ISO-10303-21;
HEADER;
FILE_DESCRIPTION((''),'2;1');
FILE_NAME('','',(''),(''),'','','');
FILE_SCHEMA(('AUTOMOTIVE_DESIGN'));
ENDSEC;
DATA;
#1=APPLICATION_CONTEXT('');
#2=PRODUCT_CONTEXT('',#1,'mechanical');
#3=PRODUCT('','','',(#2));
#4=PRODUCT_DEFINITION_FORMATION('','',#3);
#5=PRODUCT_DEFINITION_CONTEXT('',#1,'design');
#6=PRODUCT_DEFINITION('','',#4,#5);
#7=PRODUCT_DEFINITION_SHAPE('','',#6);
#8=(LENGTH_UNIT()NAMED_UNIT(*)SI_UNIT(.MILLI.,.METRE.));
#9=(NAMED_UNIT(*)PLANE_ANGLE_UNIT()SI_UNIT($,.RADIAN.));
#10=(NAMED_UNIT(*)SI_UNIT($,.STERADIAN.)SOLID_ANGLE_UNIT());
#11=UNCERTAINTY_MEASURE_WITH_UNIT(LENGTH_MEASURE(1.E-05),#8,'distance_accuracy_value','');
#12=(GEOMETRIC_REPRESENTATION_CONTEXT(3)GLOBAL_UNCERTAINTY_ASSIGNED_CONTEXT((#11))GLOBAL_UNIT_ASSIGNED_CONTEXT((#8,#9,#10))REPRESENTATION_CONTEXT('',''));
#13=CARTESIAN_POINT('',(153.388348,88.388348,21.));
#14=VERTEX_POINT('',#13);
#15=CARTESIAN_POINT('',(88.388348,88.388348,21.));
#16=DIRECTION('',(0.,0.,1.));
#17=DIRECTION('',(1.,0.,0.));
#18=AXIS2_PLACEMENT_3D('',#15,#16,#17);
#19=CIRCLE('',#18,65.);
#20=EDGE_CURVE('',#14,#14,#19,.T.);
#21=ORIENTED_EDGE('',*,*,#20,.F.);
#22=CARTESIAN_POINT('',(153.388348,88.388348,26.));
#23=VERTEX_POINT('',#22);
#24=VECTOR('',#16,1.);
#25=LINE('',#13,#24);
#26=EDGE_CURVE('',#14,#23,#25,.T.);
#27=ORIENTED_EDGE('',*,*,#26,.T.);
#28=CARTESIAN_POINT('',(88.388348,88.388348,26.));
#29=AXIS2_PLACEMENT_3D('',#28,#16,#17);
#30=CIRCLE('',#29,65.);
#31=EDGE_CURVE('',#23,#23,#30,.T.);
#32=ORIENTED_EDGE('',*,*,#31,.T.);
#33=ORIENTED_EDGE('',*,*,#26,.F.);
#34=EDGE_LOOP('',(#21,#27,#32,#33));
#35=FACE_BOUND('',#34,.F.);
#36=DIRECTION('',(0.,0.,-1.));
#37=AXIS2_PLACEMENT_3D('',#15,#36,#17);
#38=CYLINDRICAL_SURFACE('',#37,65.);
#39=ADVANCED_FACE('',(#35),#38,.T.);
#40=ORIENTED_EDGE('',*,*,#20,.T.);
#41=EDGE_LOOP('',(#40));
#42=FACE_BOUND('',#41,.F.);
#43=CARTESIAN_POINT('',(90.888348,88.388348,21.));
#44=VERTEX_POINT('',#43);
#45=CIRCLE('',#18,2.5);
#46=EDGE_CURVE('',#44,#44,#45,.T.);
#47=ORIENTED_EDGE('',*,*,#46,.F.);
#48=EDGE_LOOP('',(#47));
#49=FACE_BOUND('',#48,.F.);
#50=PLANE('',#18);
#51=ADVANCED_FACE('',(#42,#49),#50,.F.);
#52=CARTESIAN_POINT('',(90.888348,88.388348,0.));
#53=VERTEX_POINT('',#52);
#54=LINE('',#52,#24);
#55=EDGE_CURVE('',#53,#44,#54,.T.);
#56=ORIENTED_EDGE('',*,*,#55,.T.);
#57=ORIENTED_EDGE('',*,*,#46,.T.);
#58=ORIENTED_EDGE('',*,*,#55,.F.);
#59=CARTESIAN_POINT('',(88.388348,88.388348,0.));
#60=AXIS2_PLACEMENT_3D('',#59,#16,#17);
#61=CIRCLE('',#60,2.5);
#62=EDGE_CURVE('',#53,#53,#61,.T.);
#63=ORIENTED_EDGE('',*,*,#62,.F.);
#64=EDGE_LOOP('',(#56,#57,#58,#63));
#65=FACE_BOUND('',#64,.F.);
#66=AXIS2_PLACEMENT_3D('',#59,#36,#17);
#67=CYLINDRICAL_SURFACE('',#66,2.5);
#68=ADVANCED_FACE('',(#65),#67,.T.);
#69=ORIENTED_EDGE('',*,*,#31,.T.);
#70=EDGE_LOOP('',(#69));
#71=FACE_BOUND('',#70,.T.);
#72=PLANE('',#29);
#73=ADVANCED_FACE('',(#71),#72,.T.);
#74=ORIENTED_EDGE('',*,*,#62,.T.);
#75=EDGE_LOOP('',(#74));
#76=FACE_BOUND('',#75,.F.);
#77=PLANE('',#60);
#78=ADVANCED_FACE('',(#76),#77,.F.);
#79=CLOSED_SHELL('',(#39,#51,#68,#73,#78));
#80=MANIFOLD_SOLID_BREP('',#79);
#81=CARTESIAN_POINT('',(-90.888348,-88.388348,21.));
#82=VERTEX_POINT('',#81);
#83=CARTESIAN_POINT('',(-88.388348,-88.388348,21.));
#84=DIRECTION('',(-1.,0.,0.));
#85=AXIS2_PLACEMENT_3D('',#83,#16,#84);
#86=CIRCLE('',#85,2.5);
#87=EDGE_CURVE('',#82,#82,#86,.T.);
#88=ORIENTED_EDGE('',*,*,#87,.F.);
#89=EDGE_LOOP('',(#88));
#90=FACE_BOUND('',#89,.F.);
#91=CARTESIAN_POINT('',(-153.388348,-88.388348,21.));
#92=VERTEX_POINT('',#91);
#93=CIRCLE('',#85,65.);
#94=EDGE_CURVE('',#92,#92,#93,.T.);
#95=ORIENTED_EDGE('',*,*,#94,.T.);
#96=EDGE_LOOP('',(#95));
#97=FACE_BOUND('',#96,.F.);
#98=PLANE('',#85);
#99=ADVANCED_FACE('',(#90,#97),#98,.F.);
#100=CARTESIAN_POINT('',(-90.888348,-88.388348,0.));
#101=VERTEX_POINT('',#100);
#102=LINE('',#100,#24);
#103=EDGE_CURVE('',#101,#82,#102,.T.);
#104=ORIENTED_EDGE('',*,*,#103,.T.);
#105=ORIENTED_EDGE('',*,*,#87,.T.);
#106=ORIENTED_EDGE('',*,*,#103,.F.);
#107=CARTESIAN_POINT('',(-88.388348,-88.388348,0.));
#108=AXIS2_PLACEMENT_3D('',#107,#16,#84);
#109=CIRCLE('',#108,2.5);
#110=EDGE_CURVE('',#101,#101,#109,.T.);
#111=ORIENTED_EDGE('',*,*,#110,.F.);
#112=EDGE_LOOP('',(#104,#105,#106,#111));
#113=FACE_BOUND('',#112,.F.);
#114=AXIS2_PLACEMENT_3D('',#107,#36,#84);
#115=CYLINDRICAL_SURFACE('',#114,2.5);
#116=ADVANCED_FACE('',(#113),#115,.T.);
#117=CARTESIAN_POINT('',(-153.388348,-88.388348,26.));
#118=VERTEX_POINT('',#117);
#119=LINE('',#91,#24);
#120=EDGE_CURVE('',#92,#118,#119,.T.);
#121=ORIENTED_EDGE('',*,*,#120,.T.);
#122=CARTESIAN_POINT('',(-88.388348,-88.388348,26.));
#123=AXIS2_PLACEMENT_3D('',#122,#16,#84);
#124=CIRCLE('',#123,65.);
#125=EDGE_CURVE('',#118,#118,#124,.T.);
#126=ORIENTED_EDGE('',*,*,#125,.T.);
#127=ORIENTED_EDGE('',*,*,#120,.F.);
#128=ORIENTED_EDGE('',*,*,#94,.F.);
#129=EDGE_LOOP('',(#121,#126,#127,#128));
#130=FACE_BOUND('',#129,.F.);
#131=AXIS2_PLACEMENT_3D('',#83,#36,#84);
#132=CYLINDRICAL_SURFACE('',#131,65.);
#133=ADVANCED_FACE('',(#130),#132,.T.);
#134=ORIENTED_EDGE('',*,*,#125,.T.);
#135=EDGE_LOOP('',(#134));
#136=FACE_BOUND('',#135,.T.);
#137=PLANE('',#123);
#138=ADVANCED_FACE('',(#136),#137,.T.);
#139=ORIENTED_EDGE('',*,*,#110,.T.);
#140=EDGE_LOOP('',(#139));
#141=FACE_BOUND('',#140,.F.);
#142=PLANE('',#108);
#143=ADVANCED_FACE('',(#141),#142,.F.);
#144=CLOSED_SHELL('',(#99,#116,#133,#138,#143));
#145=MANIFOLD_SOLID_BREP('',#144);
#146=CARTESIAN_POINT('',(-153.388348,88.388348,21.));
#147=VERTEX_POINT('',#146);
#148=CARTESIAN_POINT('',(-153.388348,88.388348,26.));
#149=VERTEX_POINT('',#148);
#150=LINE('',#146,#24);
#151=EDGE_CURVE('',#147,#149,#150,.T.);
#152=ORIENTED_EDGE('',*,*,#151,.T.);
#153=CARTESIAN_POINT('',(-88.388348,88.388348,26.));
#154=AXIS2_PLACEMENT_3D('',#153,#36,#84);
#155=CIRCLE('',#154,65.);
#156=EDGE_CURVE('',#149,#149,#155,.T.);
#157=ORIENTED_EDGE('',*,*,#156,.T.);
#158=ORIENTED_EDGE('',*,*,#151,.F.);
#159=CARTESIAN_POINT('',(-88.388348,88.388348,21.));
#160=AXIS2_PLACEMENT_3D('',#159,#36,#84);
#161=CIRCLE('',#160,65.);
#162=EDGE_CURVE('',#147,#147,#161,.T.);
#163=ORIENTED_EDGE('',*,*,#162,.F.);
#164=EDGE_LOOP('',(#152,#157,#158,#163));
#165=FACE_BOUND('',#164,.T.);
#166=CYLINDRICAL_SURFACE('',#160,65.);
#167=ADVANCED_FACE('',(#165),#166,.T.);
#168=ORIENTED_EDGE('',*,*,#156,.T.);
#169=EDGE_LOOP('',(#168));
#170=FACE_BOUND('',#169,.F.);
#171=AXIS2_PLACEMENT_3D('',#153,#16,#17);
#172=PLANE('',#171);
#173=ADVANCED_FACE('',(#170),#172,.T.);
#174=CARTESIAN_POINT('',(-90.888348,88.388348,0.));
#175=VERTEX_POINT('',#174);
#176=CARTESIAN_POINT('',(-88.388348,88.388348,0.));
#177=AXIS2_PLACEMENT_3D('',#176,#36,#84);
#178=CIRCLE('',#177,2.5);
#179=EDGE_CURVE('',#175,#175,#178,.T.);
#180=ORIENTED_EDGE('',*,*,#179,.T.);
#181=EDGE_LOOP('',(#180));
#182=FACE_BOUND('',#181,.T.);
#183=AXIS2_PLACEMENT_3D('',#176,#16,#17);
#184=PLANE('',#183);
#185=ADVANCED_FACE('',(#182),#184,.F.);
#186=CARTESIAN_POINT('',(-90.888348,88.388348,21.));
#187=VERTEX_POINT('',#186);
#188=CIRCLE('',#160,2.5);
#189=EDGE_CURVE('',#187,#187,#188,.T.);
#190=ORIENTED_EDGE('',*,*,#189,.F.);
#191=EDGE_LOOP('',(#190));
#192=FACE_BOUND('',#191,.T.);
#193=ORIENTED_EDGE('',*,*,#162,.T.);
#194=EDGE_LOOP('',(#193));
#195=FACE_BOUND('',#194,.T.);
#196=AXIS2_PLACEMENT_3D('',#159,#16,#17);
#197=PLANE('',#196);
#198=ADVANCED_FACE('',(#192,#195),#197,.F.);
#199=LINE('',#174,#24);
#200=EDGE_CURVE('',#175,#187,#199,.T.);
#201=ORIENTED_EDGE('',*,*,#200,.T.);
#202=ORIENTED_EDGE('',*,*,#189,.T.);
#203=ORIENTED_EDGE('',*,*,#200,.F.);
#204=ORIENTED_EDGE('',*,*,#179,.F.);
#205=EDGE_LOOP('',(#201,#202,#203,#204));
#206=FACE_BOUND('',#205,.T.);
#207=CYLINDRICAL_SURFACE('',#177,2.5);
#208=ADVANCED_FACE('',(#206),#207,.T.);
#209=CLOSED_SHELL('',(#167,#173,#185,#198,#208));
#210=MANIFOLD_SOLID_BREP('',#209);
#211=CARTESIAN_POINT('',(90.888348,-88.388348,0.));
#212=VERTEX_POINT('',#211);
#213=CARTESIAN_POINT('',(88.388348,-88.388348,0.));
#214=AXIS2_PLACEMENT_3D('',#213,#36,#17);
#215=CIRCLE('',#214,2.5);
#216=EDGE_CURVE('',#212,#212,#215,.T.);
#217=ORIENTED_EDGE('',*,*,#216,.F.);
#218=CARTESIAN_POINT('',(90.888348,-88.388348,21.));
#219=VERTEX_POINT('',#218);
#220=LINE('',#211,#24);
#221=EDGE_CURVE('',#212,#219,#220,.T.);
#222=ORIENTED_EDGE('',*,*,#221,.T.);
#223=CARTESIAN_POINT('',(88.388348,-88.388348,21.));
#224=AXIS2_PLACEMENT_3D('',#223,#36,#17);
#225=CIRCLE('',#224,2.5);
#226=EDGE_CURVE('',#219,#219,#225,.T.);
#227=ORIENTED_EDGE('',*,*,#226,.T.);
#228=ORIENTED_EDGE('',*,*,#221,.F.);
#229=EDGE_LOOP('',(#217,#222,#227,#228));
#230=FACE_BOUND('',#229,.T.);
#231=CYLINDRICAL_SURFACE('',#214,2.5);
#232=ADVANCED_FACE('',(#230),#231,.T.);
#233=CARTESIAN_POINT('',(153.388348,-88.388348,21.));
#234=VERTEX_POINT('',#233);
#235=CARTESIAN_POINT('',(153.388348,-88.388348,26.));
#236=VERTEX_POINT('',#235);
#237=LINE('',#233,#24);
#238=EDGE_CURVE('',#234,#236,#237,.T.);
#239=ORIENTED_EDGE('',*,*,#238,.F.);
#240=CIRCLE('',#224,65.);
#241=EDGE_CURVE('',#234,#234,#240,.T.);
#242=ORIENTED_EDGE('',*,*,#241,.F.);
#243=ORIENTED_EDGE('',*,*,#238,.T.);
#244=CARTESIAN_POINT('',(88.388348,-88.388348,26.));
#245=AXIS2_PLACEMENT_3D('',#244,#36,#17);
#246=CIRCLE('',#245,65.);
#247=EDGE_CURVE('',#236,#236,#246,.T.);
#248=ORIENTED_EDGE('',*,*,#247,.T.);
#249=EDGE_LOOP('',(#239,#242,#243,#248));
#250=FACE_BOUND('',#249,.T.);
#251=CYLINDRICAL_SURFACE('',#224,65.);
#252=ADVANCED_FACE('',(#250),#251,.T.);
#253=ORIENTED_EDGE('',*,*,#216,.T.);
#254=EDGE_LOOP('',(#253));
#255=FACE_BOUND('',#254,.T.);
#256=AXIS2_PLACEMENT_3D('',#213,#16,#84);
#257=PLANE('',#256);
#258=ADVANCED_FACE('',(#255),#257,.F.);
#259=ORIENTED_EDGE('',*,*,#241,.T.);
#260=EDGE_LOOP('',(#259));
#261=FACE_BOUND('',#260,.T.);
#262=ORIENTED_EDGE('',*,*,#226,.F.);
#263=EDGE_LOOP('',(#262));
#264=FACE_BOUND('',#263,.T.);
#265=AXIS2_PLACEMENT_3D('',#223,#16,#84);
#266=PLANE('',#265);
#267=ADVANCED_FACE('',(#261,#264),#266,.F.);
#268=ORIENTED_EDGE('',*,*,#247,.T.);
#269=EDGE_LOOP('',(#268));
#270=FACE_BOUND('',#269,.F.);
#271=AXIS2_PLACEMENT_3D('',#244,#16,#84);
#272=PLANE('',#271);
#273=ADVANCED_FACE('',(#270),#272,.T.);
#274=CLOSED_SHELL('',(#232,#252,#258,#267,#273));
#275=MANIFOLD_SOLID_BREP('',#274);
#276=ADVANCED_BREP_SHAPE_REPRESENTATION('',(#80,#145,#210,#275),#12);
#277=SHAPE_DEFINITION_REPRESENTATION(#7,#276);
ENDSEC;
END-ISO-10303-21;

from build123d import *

# Parameters (mm, degrees)
F0_R     = 2.5
F1_DEPTH = 21
F2_R     = 65
F3_DEPTH = 5


with BuildPart() as f1:
    # F0 (on Top) → F1 (new body)
    with BuildSketch(Plane.XY):
        with Locations((88.388348, 88.388348)):
            Circle(F0_R)
    extrude(amount=F1_DEPTH)

    # F2 (on face) → F3 (join)
    with BuildSketch(Plane.XY.offset(21)):
        with Locations((88.388348, 88.388348)):
            Circle(F2_R)
    extrude(amount=F3_DEPTH)


with BuildPart() as f4_1:
    # F4: instance of F1
    add(f1.part.mirror(Plane.YZ))


with BuildPart() as f5_1:
    # F5: instance of F4_1
    add(f4_1.part.mirror(Plane.XZ))


with BuildPart() as f5_2:
    # F5: instance of F1
    add(f1.part.mirror(Plane.XZ))


solid = Compound([f1.part, f4_1.part, f5_1.part, f5_2.part])
